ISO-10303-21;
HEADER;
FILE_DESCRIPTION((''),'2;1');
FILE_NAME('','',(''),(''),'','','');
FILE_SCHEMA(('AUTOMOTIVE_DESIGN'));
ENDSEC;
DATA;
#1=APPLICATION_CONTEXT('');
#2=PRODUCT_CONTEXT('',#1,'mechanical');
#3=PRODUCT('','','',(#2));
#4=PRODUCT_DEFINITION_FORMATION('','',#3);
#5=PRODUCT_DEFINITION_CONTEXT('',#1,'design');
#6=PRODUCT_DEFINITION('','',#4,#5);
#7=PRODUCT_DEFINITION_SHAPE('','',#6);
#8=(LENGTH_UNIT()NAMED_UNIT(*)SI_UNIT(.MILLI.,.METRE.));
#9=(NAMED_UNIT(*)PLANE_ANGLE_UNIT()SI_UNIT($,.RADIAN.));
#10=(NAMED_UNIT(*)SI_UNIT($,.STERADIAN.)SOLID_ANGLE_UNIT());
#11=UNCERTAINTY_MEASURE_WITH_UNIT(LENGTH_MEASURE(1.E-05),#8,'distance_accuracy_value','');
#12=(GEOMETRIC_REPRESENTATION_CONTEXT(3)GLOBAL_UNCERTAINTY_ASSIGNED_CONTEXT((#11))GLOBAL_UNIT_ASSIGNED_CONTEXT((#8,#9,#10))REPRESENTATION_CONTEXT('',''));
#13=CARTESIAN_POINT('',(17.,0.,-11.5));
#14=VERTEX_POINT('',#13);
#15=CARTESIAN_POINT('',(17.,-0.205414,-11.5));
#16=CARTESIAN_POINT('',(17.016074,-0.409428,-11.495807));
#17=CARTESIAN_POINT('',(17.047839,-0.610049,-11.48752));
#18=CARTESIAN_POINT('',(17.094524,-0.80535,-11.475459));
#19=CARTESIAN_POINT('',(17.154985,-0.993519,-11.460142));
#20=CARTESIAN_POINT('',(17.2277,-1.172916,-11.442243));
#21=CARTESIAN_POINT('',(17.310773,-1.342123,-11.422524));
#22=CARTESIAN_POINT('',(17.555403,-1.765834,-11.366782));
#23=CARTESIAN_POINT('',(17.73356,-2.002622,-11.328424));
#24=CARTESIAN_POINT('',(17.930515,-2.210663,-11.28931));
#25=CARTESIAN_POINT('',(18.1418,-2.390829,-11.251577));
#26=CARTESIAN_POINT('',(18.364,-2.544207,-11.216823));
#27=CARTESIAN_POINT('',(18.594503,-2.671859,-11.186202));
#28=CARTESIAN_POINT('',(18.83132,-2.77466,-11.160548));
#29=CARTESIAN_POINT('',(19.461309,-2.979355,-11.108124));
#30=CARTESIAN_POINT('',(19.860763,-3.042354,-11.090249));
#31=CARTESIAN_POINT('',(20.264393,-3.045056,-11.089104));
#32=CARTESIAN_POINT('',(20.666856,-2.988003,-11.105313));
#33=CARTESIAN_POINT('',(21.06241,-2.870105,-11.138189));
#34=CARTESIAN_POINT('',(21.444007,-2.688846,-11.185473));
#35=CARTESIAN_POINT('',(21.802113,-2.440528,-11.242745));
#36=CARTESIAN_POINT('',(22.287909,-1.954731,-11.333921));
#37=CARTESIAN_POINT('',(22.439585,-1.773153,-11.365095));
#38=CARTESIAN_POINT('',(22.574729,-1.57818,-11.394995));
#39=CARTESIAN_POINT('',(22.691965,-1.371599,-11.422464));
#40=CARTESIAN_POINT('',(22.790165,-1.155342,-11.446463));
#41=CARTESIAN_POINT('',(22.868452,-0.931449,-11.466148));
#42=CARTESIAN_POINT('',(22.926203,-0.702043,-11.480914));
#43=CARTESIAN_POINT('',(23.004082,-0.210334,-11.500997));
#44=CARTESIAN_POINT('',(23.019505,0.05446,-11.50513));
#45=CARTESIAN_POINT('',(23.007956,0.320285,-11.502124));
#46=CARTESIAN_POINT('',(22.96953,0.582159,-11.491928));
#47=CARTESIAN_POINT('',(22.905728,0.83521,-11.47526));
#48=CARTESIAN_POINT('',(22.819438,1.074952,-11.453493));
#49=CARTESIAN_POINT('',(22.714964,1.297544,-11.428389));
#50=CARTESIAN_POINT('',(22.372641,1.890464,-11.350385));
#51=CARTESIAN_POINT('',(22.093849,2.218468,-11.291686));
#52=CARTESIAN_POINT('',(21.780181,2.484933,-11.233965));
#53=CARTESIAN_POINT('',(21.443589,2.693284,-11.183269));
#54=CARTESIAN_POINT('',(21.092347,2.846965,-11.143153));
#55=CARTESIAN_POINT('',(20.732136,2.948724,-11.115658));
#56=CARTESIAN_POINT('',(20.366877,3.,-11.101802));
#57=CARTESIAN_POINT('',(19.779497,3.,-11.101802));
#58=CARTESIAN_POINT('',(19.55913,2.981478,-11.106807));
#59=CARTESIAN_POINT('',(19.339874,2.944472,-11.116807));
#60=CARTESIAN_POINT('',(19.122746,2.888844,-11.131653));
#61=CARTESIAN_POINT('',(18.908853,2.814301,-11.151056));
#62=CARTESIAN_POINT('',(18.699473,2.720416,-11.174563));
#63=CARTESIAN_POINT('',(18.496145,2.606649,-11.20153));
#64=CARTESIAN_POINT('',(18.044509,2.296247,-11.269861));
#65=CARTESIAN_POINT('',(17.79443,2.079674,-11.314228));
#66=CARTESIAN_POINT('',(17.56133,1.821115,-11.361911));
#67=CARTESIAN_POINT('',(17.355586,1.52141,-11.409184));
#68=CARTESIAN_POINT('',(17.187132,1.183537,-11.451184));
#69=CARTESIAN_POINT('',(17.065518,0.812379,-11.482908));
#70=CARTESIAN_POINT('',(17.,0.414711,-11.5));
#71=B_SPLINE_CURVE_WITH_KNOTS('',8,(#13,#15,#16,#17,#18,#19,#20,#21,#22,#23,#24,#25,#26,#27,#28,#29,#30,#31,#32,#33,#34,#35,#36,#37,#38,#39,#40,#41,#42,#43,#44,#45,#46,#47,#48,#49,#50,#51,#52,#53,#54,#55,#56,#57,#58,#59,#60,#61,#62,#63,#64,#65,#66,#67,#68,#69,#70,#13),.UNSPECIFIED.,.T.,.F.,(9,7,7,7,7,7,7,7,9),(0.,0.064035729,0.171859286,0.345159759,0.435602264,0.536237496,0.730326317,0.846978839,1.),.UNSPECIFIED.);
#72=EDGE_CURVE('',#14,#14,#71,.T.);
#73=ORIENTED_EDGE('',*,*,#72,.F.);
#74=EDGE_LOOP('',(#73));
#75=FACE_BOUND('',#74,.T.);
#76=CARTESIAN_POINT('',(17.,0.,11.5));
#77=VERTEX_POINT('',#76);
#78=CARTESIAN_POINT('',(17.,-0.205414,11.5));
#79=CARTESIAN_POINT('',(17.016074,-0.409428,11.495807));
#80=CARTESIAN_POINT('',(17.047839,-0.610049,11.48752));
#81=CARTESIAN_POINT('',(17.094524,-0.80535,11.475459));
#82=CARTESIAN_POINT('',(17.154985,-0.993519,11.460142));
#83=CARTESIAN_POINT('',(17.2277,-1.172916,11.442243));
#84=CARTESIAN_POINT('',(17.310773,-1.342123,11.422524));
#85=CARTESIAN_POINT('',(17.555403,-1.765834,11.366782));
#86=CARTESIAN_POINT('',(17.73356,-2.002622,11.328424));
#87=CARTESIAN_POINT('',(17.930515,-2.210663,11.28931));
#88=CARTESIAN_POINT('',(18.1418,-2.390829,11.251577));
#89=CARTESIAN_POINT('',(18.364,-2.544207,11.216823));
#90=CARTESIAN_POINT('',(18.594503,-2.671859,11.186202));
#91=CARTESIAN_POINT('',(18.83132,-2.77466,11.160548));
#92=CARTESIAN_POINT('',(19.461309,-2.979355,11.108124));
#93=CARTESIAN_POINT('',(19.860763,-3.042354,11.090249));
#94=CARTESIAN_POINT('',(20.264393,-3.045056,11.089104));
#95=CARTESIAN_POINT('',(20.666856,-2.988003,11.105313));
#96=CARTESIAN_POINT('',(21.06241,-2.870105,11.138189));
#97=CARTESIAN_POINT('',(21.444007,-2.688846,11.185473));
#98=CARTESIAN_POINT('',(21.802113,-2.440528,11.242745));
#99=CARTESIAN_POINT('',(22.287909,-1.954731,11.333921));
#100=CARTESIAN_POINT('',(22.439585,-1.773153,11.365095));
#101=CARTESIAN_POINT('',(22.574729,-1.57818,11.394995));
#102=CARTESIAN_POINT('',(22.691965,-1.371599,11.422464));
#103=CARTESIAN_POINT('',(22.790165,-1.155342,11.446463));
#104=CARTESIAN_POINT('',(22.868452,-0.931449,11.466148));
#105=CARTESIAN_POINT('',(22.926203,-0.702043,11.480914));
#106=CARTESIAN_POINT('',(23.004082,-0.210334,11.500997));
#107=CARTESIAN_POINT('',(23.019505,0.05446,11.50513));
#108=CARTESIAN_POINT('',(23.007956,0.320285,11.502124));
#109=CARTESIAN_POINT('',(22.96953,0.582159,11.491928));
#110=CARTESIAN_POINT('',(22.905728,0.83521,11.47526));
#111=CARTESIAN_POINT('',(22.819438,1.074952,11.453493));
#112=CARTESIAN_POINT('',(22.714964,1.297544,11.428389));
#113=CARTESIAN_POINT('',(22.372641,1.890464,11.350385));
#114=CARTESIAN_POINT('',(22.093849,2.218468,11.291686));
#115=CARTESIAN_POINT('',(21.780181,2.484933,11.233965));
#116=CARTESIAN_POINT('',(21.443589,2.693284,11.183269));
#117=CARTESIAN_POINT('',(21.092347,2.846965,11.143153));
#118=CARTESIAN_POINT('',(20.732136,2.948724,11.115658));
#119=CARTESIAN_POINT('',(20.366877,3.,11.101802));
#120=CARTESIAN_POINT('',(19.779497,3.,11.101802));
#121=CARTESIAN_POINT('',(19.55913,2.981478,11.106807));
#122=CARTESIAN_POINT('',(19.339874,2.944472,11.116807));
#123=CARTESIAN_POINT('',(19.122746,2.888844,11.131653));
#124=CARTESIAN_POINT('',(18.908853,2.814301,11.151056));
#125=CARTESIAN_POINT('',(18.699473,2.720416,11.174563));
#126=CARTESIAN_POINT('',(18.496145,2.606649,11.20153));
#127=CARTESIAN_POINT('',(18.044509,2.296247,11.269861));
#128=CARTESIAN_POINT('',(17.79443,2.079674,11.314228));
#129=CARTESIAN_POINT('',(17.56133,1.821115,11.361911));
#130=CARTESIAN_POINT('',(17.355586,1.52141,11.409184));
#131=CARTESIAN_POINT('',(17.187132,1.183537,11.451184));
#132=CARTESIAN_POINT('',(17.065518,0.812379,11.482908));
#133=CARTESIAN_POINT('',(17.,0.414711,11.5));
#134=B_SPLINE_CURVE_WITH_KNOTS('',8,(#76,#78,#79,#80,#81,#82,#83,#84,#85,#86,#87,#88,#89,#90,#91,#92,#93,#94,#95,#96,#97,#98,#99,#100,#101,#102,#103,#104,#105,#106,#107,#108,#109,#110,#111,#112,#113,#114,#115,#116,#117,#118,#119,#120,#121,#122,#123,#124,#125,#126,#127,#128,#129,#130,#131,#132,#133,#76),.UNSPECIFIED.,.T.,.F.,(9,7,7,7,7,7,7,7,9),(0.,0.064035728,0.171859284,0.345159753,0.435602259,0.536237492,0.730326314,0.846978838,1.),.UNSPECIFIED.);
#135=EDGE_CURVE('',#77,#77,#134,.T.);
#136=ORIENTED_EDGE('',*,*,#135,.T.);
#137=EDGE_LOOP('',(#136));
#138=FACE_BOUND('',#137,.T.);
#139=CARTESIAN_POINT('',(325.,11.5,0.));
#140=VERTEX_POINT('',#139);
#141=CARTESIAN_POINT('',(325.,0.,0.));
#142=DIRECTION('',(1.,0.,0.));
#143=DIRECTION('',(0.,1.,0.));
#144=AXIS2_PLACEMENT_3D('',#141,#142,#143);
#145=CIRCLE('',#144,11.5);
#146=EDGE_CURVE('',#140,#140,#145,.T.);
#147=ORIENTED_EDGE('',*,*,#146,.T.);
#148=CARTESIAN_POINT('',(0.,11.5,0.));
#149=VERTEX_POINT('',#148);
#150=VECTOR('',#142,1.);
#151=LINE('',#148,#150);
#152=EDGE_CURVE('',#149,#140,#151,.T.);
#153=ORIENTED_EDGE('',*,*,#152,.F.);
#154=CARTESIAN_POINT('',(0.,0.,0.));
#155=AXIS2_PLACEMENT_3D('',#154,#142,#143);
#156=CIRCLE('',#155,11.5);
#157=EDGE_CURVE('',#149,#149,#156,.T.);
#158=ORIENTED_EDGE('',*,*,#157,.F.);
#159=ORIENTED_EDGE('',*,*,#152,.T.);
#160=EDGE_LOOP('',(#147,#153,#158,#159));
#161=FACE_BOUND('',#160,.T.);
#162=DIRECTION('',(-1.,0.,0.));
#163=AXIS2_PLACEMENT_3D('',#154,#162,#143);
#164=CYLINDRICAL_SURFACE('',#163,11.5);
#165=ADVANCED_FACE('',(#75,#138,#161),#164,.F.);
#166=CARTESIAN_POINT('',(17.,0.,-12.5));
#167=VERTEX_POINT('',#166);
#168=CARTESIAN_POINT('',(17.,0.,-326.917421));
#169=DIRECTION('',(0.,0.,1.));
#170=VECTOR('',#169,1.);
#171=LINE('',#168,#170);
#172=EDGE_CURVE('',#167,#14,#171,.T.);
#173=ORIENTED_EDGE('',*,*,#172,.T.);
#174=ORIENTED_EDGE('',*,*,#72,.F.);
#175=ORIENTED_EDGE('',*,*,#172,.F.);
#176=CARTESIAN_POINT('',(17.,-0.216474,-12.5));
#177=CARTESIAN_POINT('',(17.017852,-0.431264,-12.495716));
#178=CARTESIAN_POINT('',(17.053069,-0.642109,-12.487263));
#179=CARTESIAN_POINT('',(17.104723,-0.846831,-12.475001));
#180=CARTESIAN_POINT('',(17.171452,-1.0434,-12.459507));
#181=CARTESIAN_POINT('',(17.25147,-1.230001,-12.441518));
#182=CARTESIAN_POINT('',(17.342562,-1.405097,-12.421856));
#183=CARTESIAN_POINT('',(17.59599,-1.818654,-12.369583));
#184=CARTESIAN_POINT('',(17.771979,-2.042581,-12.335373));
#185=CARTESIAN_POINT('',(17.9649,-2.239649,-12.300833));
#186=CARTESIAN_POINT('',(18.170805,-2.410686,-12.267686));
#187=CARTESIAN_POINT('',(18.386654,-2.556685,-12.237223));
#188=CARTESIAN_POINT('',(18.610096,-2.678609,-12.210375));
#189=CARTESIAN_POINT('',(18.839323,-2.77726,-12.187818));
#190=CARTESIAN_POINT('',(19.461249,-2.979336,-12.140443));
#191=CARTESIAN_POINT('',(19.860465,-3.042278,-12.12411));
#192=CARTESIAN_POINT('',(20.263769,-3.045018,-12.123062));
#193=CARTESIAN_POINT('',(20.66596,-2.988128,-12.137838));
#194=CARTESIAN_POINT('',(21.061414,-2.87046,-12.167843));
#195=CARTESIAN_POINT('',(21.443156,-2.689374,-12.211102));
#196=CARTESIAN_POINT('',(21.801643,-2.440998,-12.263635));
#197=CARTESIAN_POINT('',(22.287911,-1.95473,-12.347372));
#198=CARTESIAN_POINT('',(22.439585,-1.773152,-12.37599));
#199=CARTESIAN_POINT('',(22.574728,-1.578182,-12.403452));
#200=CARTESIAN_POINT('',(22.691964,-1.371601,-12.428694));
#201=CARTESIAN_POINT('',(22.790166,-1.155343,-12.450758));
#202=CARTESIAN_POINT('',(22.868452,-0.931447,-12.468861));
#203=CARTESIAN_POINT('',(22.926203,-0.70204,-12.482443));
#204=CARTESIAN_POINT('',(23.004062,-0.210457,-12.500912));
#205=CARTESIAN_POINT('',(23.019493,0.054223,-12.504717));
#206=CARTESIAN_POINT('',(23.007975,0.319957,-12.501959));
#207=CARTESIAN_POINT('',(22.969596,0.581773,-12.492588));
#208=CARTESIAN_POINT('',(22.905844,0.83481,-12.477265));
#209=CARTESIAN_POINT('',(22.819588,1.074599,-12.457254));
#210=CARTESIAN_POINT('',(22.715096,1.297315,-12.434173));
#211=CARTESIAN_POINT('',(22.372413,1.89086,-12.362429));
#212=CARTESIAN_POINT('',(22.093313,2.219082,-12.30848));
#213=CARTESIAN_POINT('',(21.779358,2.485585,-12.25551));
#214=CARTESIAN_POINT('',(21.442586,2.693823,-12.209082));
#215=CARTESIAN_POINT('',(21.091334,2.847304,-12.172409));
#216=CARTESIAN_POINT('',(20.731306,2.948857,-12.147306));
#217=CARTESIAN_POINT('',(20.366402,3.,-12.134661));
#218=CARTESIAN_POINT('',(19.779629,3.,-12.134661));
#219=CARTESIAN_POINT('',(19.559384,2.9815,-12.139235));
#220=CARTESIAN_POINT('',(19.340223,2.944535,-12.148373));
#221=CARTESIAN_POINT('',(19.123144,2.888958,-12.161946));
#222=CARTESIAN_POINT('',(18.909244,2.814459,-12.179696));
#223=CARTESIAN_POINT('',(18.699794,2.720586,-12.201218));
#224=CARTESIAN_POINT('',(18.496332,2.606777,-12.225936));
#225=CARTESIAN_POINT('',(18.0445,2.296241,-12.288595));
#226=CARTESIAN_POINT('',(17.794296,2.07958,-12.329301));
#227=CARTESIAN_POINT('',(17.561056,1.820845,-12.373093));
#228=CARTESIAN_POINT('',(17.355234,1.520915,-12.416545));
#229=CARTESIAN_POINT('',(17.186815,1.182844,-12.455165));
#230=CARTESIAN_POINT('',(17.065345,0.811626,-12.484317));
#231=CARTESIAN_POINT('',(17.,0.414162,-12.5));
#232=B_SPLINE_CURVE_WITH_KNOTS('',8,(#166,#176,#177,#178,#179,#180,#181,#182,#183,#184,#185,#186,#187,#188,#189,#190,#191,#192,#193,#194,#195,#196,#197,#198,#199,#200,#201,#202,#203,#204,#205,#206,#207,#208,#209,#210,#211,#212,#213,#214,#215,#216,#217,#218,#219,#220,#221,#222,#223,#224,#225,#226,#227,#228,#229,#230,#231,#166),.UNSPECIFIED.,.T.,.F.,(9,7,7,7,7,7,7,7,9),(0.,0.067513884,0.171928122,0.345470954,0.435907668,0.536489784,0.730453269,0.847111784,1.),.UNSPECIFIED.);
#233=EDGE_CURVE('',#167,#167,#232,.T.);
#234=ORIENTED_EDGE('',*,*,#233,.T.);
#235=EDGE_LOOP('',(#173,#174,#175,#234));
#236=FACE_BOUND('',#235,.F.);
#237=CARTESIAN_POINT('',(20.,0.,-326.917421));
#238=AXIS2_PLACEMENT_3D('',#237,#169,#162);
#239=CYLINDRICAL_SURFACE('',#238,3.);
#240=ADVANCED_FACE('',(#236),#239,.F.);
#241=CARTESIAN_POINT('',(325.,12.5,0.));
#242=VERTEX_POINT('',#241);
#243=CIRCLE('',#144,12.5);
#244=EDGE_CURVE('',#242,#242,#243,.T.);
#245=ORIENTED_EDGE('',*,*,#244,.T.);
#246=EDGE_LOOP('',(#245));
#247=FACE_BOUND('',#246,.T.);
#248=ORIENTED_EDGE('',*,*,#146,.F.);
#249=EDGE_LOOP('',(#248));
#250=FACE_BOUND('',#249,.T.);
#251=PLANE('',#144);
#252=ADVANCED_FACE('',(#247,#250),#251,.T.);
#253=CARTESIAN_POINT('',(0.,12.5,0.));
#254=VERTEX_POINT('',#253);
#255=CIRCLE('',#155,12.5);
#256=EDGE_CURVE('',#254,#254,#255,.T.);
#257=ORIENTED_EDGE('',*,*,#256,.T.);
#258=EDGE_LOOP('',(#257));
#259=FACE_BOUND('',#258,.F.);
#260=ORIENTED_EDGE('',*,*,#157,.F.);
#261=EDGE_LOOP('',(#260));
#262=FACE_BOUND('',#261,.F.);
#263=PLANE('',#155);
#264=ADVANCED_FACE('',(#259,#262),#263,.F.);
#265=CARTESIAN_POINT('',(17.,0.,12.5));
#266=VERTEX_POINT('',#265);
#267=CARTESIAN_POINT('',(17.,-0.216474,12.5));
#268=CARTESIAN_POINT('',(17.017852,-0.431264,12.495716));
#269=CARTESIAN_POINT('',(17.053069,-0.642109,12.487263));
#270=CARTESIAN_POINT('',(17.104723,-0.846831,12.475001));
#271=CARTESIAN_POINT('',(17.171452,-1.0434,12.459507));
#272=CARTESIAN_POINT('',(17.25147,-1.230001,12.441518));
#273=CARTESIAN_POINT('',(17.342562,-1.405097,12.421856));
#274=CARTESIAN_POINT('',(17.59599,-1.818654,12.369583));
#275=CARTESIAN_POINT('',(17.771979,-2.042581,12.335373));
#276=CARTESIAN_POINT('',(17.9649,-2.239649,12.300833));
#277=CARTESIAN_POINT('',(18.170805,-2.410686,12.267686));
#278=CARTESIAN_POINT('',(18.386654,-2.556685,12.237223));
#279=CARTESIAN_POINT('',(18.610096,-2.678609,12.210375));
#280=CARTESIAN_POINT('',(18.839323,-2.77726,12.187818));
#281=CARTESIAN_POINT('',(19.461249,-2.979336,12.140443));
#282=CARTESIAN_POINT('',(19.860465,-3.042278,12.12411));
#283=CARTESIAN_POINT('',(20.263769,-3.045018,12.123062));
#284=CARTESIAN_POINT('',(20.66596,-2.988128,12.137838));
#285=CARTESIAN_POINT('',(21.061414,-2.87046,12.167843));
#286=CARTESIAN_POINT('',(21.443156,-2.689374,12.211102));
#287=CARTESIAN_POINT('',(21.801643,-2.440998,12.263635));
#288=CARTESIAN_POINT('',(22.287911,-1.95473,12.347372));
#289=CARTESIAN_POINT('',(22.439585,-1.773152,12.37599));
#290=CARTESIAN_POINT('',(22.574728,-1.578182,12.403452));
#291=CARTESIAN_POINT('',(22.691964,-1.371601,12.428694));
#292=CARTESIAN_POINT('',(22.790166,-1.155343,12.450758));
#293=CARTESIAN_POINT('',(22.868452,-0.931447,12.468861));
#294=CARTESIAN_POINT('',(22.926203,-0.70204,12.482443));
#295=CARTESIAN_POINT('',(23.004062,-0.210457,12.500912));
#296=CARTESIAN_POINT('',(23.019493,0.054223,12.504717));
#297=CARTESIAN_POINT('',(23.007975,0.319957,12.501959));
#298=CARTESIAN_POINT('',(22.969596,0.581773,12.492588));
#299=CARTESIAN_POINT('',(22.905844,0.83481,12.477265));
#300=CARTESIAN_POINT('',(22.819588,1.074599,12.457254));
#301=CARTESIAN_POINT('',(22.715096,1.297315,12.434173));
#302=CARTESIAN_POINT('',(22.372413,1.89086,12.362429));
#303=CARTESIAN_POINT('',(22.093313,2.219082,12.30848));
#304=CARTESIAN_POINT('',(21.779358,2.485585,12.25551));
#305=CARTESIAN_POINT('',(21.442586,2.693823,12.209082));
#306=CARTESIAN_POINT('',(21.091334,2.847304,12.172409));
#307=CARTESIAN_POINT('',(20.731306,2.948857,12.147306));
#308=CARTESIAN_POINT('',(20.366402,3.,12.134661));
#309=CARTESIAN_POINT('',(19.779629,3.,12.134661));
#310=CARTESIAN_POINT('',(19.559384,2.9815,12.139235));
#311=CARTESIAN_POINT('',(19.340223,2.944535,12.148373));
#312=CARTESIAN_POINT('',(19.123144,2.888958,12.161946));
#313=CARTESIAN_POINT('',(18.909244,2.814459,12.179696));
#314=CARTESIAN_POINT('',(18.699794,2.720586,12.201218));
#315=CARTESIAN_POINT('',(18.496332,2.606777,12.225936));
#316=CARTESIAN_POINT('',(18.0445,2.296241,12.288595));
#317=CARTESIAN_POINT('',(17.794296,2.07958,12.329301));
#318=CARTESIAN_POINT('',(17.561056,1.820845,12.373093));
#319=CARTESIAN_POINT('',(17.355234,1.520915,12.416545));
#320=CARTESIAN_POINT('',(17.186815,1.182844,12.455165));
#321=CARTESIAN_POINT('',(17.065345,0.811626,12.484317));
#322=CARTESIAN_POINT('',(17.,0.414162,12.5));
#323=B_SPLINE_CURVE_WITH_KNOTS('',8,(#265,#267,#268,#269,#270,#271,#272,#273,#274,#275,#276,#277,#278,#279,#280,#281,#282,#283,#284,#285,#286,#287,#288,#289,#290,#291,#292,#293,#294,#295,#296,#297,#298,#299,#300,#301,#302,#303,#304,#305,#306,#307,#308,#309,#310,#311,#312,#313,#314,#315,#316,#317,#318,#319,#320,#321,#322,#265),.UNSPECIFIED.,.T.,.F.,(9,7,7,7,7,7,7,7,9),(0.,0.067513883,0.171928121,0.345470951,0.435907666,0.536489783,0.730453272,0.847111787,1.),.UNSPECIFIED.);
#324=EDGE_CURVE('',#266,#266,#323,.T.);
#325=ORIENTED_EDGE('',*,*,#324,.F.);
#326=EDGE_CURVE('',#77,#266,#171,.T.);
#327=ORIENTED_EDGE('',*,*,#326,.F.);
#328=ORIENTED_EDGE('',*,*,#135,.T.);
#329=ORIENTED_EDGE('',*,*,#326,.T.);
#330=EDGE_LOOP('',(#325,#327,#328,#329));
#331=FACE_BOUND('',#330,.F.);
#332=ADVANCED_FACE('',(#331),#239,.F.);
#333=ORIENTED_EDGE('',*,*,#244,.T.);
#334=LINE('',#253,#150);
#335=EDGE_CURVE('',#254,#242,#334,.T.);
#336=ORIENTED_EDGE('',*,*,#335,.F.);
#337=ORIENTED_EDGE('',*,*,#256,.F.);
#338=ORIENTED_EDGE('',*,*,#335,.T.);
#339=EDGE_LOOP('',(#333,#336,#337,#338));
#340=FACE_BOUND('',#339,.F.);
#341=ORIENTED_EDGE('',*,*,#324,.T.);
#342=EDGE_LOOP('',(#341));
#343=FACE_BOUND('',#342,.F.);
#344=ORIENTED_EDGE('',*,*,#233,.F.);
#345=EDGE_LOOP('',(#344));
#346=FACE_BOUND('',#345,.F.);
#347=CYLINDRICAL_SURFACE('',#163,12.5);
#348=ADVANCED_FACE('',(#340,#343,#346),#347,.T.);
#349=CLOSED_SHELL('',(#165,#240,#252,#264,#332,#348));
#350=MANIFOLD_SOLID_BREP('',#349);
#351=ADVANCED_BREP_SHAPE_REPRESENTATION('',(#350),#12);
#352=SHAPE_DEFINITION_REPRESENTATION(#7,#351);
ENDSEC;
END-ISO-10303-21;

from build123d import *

# Parameters (mm, degrees)
F0_R     = 12.5
F0_R_2   = 11.5
F1_DEPTH = 325
F3_D     = 6
F4_D     = 6


with BuildPart() as f1:
    # F0 (on Right) → F1 (new body)
    with BuildSketch(Plane.YZ):
        Circle(F0_R)
        Circle(F0_R_2, mode=Mode.SUBTRACT)
    extrude(amount=F1_DEPTH)

    # F3 (through all)
    with Locations(Plane(origin=(0, 0, 0), x_dir=(1, 0, 0), z_dir=(0, 0, -1))):
        with Locations((20, 0)):
            Hole(F3_D / 2)

    # F4 (through all)
    with Locations(Plane.XY):
        with Locations((20, 0)):
            Hole(F4_D / 2)


solid = f1.part
